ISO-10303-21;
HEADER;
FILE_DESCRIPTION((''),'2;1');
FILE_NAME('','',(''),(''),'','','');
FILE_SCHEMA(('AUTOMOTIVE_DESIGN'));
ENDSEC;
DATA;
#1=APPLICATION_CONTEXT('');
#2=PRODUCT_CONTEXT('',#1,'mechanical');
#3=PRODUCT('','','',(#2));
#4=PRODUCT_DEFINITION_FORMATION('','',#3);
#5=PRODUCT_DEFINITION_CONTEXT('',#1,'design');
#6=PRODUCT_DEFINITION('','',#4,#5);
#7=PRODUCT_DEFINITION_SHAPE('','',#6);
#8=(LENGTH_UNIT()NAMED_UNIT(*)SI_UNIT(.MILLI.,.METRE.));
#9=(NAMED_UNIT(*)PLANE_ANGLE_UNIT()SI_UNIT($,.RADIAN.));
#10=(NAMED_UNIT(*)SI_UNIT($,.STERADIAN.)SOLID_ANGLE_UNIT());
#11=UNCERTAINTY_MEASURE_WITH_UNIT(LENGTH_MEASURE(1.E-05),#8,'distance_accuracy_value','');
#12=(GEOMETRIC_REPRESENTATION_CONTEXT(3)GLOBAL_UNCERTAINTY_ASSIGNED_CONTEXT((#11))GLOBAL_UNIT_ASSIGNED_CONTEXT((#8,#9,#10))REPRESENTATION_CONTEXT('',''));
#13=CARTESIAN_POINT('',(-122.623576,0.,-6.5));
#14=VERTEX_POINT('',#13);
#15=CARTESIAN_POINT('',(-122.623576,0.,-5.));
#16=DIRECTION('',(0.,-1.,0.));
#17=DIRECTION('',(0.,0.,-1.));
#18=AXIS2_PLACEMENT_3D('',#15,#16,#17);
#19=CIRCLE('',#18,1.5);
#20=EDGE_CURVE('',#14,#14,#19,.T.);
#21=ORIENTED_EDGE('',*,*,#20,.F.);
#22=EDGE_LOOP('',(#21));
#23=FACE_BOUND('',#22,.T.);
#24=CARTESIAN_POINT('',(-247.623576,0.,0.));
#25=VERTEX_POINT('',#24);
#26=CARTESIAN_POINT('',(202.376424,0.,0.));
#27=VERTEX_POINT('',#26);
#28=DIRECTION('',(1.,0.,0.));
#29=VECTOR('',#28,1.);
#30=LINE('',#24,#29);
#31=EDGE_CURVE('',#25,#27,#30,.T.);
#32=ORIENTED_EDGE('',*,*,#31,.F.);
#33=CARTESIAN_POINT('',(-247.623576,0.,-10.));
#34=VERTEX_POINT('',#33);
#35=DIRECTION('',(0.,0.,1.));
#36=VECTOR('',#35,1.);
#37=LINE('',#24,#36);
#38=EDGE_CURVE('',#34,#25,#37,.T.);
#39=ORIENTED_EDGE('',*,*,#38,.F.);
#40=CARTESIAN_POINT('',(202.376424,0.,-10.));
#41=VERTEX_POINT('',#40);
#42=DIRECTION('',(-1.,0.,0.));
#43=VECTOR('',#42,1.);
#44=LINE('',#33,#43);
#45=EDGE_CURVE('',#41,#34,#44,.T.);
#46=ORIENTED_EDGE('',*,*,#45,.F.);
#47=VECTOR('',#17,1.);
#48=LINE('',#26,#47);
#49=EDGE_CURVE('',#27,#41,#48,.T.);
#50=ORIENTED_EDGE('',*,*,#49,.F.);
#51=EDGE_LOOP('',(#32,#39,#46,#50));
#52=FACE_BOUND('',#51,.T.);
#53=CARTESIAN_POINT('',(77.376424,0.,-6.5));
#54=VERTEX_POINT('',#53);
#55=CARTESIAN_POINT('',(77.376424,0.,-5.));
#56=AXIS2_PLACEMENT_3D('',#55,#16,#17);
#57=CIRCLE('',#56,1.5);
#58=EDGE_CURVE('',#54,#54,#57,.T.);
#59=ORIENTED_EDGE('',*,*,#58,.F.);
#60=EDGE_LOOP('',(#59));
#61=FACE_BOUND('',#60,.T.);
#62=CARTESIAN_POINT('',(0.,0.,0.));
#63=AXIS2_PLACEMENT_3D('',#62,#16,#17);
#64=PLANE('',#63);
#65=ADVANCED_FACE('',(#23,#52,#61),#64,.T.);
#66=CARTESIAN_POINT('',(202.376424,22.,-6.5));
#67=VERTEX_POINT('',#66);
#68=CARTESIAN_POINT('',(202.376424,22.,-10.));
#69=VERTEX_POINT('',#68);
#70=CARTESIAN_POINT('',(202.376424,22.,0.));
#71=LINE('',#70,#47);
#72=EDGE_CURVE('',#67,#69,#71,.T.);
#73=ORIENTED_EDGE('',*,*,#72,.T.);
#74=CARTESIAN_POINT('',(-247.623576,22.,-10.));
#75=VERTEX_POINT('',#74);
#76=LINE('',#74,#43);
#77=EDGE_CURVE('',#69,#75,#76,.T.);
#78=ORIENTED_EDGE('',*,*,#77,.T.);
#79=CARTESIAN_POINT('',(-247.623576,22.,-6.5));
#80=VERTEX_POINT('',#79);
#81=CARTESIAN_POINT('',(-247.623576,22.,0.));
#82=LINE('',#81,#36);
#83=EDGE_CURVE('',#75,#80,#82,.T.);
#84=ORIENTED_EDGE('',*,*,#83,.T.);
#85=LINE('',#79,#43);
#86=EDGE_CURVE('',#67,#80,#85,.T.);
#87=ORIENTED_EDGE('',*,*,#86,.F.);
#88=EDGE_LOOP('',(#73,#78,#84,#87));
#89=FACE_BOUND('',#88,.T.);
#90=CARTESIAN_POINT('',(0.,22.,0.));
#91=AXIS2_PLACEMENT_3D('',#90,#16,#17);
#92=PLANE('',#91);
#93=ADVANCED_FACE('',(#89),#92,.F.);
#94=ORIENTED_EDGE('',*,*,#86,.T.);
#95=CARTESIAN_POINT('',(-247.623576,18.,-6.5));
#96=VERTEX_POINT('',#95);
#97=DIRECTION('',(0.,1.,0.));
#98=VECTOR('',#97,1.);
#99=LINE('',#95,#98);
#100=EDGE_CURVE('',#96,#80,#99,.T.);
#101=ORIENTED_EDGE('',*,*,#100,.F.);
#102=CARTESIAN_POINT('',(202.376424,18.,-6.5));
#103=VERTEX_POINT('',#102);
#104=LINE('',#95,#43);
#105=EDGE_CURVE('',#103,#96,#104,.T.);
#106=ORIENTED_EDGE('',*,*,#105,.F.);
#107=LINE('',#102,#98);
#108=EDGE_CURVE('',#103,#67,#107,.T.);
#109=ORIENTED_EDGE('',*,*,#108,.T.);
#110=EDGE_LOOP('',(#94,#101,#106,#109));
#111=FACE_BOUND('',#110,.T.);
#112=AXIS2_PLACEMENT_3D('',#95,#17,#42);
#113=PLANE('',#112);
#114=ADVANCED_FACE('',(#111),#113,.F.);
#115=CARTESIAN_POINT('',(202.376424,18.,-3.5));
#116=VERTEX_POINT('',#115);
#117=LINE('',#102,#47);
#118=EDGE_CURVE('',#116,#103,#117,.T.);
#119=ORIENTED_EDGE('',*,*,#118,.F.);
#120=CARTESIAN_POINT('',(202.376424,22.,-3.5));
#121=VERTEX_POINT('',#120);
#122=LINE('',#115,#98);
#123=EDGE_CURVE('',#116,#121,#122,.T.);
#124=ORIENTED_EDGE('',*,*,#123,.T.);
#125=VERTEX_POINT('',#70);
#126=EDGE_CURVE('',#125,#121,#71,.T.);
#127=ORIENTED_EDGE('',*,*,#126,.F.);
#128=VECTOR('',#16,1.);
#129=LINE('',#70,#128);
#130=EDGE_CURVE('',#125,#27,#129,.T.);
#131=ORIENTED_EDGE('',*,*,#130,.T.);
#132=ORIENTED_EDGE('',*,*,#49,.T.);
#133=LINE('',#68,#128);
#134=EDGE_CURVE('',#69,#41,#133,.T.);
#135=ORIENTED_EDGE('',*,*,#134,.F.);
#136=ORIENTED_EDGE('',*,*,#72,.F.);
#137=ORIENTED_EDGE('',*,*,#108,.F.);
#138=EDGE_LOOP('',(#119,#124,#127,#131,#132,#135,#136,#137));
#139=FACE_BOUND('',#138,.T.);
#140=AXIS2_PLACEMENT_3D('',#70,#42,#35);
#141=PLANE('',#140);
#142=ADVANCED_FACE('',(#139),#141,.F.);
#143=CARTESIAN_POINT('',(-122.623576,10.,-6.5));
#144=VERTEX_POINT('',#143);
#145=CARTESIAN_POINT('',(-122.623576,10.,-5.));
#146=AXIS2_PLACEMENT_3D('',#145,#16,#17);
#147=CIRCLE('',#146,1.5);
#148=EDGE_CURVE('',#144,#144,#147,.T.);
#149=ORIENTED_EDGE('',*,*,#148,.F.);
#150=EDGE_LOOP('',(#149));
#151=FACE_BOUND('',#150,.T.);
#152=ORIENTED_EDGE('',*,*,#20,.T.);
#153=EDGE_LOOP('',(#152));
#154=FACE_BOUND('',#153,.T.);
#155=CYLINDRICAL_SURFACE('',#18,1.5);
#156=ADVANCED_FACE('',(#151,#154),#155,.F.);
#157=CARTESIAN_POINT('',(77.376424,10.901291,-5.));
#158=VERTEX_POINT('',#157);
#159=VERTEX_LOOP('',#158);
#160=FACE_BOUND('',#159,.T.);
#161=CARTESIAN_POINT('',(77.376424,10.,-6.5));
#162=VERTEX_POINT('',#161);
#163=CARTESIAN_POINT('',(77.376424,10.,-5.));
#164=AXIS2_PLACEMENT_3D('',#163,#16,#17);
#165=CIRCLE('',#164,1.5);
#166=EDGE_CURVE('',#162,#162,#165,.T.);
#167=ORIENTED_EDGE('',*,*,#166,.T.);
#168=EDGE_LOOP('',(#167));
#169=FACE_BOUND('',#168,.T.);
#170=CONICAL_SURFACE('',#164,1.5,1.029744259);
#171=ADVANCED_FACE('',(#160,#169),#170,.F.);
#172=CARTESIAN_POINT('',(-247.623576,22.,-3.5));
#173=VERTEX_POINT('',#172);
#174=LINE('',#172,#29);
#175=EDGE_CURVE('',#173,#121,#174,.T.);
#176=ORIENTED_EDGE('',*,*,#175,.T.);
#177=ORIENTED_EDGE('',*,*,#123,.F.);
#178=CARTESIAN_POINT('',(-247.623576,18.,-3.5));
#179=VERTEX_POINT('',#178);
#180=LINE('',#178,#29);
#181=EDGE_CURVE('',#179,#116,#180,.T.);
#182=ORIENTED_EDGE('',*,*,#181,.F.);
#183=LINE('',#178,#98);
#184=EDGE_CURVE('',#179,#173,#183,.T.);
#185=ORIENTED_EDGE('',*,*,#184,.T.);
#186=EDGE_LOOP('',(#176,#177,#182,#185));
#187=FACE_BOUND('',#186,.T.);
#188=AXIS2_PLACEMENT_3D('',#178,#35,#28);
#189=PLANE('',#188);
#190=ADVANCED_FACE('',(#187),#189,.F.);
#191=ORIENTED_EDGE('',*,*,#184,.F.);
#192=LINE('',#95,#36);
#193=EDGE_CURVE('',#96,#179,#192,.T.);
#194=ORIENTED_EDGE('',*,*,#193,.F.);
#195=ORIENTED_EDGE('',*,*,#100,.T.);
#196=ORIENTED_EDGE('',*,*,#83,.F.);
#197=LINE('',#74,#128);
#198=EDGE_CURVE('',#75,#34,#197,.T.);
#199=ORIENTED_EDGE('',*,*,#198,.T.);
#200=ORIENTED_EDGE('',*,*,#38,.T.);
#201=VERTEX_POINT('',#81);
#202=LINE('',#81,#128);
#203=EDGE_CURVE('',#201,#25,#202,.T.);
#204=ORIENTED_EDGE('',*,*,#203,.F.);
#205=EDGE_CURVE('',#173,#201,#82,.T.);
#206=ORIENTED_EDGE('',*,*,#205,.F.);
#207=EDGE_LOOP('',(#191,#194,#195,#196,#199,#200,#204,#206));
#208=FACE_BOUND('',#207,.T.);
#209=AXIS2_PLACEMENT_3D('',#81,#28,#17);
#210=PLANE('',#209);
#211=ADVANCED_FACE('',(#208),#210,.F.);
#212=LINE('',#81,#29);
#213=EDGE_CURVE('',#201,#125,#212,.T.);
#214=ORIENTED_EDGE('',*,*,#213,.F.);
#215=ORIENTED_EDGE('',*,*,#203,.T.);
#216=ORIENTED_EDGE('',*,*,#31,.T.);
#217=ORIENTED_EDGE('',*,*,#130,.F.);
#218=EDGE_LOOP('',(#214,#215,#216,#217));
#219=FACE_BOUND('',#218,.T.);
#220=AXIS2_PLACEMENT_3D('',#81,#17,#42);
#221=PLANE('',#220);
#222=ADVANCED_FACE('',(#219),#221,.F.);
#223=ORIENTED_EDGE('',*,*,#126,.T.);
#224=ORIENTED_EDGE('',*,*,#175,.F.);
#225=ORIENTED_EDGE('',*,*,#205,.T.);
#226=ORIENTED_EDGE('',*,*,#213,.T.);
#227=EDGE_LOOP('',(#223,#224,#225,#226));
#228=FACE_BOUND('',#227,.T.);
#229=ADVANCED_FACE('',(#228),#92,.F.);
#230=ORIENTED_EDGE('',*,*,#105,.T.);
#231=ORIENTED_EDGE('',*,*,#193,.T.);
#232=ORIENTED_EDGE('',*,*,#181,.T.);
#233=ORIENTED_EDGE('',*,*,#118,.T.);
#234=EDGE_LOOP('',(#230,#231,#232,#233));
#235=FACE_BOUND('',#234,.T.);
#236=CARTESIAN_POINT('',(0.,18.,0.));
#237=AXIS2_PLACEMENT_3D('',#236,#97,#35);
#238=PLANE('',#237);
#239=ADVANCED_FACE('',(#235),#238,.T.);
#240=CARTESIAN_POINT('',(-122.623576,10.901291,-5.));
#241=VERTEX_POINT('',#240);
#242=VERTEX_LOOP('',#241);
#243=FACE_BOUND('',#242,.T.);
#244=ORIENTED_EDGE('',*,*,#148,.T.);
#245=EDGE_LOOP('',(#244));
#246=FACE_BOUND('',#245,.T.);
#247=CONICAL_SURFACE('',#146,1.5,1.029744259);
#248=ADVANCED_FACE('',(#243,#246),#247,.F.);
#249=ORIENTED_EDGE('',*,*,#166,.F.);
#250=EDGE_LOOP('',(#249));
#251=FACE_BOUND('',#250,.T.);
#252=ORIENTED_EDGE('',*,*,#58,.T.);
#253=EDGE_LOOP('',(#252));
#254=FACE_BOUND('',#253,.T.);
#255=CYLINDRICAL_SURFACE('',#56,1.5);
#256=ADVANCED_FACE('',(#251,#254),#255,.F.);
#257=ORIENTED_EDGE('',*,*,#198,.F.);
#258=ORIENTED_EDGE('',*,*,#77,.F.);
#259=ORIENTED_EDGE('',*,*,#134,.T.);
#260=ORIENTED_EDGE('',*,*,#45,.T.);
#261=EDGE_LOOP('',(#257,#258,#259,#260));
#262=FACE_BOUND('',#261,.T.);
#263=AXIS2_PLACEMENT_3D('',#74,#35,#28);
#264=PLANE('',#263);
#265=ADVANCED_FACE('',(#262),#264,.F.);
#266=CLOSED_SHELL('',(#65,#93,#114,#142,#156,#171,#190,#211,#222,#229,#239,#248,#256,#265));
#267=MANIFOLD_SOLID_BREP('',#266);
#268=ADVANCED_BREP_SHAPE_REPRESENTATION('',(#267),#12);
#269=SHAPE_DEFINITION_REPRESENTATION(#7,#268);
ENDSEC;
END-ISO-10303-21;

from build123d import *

# Parameters (mm, degrees)
SZKIC1_W                       = 450
SZKIC1_H                       = 10
DODANIE_WYCI_GNI_CIE1_DEPTH    = 22
SZKIC2_W                       = 450
SZKIC2_H                       = 3
WYTNIJ_WYCI_GNI_CIE1_DEPTH     = 4
OTWORY_USTALAJ_CE_3_0MM1_D     = 3
OTWORY_USTALAJ_CE_3_0MM1_DEPTH = 10
OTWORY_USTALAJ_CE_3_0MM1_TIP   = 0.901290929


with BuildPart() as part:
    # Szkic1 → Dodanie-wyciągnięcie1 (new body)
    with BuildSketch(Plane(origin=(0, 0, 0), x_dir=(1, 0, 0), z_dir=(0, 1, 0))):
        with Locations((-22.623576347, 5)):
            Rectangle(SZKIC1_W, SZKIC1_H)
    extrude(amount=DODANIE_WYCI_GNI_CIE1_DEPTH)

    # Szkic2 → Wytnij-wyciągnięcie1 (cut)
    with BuildSketch(Plane(origin=(0, 22, 0), x_dir=(1, 0, 0), z_dir=(0, 1, 0))):
        with Locations((-22.623576347, 5)):
            Rectangle(SZKIC2_W, SZKIC2_H)
    extrude(amount=-WYTNIJ_WYCI_GNI_CIE1_DEPTH, mode=Mode.SUBTRACT)

    # Otwory ustalające Ø3.0mm1
    with Locations(Plane(origin=(0, 0, 0), x_dir=(-1, 0, 0), z_dir=(0, -1, 0))):
        with Locations((-77.376423653, 5), (122.623576347, 5)):
            Hole(OTWORY_USTALAJ_CE_3_0MM1_D / 2, depth=OTWORY_USTALAJ_CE_3_0MM1_DEPTH)
            with Locations((0, 0, -(OTWORY_USTALAJ_CE_3_0MM1_DEPTH + OTWORY_USTALAJ_CE_3_0MM1_TIP / 2))):  # 118° drill point
                Cone(0, OTWORY_USTALAJ_CE_3_0MM1_D / 2, OTWORY_USTALAJ_CE_3_0MM1_TIP, mode=Mode.SUBTRACT)


solid = part.part
